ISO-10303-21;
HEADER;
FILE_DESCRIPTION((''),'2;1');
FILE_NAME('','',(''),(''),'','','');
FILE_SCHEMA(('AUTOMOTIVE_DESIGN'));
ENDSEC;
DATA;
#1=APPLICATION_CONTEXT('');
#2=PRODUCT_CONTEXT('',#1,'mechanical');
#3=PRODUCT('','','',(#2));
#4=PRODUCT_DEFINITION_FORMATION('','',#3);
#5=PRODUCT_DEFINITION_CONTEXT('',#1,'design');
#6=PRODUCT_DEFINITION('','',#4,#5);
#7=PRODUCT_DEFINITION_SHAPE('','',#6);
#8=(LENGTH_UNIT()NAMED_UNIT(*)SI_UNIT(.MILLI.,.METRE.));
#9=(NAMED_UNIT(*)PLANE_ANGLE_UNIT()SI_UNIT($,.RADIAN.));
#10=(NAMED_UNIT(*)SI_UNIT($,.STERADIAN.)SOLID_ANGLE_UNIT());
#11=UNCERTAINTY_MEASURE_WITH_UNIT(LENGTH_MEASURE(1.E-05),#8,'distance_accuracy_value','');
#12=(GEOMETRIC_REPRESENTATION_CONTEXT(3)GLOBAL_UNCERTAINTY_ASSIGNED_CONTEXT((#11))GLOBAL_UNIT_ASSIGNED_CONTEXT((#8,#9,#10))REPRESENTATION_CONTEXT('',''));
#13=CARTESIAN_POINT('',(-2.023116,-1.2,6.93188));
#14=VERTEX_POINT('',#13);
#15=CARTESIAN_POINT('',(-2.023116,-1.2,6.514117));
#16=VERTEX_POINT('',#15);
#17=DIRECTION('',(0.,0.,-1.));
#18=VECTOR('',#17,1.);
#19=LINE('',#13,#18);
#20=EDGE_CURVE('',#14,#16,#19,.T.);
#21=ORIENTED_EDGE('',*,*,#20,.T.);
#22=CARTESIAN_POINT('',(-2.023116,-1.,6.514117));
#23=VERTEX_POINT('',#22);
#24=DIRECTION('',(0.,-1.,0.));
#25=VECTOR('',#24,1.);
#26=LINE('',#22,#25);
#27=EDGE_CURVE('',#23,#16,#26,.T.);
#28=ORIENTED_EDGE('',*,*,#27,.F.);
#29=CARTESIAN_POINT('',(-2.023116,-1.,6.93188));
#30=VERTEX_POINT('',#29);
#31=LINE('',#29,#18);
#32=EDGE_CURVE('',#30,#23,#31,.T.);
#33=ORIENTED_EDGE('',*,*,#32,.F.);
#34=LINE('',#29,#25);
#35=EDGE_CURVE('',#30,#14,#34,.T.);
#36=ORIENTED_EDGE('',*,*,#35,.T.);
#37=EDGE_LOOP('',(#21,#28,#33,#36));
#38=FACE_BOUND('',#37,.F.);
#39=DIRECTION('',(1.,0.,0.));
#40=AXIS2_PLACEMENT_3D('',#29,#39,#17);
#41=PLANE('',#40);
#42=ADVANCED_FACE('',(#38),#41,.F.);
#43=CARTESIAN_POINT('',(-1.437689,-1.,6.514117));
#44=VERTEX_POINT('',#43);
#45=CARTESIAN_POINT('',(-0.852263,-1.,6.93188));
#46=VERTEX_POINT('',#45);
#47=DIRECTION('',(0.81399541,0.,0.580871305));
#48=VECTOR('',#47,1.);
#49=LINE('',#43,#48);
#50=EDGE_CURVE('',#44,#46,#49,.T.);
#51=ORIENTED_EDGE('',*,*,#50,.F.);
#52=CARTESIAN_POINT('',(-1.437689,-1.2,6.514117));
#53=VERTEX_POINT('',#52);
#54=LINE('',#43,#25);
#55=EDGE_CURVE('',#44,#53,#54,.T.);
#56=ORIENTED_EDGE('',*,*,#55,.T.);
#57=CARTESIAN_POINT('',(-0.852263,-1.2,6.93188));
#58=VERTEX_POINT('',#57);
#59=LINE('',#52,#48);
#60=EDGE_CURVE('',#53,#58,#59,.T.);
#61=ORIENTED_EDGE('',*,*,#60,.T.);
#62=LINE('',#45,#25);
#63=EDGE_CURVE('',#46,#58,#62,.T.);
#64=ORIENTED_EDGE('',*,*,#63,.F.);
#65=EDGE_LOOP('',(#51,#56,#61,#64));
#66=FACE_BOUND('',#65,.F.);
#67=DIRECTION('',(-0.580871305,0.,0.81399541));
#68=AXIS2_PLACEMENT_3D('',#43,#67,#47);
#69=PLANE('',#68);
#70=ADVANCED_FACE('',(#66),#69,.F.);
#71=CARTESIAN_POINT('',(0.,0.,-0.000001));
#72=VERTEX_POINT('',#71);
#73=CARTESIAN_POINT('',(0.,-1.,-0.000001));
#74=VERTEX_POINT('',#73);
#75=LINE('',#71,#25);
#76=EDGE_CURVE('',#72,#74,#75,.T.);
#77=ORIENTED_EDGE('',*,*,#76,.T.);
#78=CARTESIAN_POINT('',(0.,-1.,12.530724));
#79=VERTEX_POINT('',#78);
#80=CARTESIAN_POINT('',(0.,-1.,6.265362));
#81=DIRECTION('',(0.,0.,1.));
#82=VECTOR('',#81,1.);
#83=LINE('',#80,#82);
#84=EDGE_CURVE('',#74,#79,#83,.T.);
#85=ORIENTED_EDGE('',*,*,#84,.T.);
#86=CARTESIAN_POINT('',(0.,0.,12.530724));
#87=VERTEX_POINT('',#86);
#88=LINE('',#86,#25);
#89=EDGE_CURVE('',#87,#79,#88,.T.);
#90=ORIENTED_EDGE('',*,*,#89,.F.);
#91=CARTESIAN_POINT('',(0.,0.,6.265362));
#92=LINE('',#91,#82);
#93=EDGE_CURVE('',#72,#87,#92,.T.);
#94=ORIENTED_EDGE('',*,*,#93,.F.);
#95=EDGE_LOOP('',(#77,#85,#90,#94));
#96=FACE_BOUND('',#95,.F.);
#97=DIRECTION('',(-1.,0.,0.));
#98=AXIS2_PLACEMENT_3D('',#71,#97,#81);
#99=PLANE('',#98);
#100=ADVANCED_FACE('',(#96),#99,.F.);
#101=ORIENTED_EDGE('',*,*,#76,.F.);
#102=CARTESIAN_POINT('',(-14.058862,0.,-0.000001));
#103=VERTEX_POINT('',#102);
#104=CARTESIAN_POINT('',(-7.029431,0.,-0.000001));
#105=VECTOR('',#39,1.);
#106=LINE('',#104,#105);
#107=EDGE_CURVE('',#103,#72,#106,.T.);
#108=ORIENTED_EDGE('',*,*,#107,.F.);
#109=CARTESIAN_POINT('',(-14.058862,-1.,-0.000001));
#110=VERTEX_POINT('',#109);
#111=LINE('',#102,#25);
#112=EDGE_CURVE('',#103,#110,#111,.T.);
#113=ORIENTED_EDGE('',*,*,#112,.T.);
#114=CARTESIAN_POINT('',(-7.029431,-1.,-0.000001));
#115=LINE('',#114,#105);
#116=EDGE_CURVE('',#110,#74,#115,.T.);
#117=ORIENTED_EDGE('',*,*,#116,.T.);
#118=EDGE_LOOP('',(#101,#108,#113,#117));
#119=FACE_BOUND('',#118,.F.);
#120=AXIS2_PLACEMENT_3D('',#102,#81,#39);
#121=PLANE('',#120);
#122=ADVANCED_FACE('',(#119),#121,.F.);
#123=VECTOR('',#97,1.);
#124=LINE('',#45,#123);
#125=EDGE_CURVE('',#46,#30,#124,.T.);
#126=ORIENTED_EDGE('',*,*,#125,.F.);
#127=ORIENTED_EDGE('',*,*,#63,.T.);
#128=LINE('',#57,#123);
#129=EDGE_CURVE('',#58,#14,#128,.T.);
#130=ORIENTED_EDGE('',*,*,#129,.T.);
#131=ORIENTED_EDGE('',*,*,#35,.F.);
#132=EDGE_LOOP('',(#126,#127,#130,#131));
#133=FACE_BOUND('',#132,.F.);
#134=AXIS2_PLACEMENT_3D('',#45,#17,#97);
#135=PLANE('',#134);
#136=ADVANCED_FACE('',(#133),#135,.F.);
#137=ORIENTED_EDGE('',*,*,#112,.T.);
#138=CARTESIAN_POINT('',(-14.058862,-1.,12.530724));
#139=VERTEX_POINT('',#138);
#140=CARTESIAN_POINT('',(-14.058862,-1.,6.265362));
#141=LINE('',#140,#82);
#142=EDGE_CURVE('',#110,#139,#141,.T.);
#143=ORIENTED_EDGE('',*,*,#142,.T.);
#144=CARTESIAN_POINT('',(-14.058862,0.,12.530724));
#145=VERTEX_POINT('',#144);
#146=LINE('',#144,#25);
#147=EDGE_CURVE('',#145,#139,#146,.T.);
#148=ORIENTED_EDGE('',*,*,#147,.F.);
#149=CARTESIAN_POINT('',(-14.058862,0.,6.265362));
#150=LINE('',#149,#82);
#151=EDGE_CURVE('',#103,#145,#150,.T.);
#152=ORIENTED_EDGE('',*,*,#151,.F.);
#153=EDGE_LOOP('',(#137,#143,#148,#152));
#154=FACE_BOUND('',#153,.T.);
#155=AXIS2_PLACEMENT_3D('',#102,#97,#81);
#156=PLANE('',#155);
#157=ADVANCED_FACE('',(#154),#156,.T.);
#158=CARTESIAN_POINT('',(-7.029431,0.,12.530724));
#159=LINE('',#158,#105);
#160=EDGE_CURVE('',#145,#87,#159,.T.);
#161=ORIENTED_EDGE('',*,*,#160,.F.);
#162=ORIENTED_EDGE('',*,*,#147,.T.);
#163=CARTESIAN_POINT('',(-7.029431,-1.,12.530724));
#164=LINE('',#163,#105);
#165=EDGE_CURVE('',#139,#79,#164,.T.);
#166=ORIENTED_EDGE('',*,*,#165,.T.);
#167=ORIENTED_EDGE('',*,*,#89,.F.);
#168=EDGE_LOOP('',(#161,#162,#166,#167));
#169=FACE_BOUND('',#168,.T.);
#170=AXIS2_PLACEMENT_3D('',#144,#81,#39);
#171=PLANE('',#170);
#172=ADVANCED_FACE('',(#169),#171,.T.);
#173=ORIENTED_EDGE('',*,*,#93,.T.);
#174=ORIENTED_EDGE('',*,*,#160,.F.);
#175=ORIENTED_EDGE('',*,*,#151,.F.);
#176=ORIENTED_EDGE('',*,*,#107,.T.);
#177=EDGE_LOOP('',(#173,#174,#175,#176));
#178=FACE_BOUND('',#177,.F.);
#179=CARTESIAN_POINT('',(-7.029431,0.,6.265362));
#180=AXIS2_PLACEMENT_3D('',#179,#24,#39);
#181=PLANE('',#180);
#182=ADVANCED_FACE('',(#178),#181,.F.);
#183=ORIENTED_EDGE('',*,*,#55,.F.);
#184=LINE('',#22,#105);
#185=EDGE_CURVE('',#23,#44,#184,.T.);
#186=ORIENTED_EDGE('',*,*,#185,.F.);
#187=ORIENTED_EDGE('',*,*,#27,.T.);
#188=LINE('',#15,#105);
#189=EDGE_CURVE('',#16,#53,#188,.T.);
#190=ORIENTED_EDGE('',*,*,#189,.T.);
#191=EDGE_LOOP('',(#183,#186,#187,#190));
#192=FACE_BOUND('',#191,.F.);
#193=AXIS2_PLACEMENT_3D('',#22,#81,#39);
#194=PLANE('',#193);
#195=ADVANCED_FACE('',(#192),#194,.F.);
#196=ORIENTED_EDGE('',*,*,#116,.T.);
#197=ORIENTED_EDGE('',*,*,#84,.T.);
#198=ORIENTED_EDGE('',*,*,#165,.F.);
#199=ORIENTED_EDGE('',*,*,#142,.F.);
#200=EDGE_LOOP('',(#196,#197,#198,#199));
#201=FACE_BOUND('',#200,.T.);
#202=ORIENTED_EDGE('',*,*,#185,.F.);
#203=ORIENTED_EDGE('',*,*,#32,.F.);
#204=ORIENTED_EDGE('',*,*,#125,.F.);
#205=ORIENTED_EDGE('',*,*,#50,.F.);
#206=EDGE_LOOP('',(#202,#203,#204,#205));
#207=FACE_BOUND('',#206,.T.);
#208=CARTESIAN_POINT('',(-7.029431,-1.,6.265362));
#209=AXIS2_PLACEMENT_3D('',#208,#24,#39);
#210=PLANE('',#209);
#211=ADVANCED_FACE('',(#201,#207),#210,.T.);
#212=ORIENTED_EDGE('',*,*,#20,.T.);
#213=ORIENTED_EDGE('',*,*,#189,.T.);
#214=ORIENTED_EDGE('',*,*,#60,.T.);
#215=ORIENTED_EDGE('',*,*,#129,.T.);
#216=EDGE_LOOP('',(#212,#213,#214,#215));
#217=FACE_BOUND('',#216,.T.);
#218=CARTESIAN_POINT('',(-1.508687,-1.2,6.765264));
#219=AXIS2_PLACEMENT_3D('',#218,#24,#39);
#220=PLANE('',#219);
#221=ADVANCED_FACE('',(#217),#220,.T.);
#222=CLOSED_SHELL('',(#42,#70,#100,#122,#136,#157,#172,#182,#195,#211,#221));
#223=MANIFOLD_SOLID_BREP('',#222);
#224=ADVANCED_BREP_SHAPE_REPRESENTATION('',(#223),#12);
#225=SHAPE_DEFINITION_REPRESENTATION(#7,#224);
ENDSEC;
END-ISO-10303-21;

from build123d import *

# Parameters (mm, degrees)
F0_W     = 14.058862
F0_H     = 12.530725
F1_DEPTH = 1
F3_DEPTH = 0.2


with BuildPart() as f1:
    # F0 (on Front) → F1 (new body)
    with BuildSketch(Plane.XZ):
        with Locations((-7.029431, 6.265362)):
            Rectangle(F0_W, F0_H)
    extrude(amount=F1_DEPTH)

    # F2 (on face) → F3 (join)
    with BuildSketch(Plane.XZ.offset(1)):
        Polygon((-1.437689, 6.514117), (-0.852263, 6.93188), (-2.023116, 6.93188), (-2.023116, 6.514117), align=None)
    extrude(amount=F3_DEPTH)


solid = f1.part
